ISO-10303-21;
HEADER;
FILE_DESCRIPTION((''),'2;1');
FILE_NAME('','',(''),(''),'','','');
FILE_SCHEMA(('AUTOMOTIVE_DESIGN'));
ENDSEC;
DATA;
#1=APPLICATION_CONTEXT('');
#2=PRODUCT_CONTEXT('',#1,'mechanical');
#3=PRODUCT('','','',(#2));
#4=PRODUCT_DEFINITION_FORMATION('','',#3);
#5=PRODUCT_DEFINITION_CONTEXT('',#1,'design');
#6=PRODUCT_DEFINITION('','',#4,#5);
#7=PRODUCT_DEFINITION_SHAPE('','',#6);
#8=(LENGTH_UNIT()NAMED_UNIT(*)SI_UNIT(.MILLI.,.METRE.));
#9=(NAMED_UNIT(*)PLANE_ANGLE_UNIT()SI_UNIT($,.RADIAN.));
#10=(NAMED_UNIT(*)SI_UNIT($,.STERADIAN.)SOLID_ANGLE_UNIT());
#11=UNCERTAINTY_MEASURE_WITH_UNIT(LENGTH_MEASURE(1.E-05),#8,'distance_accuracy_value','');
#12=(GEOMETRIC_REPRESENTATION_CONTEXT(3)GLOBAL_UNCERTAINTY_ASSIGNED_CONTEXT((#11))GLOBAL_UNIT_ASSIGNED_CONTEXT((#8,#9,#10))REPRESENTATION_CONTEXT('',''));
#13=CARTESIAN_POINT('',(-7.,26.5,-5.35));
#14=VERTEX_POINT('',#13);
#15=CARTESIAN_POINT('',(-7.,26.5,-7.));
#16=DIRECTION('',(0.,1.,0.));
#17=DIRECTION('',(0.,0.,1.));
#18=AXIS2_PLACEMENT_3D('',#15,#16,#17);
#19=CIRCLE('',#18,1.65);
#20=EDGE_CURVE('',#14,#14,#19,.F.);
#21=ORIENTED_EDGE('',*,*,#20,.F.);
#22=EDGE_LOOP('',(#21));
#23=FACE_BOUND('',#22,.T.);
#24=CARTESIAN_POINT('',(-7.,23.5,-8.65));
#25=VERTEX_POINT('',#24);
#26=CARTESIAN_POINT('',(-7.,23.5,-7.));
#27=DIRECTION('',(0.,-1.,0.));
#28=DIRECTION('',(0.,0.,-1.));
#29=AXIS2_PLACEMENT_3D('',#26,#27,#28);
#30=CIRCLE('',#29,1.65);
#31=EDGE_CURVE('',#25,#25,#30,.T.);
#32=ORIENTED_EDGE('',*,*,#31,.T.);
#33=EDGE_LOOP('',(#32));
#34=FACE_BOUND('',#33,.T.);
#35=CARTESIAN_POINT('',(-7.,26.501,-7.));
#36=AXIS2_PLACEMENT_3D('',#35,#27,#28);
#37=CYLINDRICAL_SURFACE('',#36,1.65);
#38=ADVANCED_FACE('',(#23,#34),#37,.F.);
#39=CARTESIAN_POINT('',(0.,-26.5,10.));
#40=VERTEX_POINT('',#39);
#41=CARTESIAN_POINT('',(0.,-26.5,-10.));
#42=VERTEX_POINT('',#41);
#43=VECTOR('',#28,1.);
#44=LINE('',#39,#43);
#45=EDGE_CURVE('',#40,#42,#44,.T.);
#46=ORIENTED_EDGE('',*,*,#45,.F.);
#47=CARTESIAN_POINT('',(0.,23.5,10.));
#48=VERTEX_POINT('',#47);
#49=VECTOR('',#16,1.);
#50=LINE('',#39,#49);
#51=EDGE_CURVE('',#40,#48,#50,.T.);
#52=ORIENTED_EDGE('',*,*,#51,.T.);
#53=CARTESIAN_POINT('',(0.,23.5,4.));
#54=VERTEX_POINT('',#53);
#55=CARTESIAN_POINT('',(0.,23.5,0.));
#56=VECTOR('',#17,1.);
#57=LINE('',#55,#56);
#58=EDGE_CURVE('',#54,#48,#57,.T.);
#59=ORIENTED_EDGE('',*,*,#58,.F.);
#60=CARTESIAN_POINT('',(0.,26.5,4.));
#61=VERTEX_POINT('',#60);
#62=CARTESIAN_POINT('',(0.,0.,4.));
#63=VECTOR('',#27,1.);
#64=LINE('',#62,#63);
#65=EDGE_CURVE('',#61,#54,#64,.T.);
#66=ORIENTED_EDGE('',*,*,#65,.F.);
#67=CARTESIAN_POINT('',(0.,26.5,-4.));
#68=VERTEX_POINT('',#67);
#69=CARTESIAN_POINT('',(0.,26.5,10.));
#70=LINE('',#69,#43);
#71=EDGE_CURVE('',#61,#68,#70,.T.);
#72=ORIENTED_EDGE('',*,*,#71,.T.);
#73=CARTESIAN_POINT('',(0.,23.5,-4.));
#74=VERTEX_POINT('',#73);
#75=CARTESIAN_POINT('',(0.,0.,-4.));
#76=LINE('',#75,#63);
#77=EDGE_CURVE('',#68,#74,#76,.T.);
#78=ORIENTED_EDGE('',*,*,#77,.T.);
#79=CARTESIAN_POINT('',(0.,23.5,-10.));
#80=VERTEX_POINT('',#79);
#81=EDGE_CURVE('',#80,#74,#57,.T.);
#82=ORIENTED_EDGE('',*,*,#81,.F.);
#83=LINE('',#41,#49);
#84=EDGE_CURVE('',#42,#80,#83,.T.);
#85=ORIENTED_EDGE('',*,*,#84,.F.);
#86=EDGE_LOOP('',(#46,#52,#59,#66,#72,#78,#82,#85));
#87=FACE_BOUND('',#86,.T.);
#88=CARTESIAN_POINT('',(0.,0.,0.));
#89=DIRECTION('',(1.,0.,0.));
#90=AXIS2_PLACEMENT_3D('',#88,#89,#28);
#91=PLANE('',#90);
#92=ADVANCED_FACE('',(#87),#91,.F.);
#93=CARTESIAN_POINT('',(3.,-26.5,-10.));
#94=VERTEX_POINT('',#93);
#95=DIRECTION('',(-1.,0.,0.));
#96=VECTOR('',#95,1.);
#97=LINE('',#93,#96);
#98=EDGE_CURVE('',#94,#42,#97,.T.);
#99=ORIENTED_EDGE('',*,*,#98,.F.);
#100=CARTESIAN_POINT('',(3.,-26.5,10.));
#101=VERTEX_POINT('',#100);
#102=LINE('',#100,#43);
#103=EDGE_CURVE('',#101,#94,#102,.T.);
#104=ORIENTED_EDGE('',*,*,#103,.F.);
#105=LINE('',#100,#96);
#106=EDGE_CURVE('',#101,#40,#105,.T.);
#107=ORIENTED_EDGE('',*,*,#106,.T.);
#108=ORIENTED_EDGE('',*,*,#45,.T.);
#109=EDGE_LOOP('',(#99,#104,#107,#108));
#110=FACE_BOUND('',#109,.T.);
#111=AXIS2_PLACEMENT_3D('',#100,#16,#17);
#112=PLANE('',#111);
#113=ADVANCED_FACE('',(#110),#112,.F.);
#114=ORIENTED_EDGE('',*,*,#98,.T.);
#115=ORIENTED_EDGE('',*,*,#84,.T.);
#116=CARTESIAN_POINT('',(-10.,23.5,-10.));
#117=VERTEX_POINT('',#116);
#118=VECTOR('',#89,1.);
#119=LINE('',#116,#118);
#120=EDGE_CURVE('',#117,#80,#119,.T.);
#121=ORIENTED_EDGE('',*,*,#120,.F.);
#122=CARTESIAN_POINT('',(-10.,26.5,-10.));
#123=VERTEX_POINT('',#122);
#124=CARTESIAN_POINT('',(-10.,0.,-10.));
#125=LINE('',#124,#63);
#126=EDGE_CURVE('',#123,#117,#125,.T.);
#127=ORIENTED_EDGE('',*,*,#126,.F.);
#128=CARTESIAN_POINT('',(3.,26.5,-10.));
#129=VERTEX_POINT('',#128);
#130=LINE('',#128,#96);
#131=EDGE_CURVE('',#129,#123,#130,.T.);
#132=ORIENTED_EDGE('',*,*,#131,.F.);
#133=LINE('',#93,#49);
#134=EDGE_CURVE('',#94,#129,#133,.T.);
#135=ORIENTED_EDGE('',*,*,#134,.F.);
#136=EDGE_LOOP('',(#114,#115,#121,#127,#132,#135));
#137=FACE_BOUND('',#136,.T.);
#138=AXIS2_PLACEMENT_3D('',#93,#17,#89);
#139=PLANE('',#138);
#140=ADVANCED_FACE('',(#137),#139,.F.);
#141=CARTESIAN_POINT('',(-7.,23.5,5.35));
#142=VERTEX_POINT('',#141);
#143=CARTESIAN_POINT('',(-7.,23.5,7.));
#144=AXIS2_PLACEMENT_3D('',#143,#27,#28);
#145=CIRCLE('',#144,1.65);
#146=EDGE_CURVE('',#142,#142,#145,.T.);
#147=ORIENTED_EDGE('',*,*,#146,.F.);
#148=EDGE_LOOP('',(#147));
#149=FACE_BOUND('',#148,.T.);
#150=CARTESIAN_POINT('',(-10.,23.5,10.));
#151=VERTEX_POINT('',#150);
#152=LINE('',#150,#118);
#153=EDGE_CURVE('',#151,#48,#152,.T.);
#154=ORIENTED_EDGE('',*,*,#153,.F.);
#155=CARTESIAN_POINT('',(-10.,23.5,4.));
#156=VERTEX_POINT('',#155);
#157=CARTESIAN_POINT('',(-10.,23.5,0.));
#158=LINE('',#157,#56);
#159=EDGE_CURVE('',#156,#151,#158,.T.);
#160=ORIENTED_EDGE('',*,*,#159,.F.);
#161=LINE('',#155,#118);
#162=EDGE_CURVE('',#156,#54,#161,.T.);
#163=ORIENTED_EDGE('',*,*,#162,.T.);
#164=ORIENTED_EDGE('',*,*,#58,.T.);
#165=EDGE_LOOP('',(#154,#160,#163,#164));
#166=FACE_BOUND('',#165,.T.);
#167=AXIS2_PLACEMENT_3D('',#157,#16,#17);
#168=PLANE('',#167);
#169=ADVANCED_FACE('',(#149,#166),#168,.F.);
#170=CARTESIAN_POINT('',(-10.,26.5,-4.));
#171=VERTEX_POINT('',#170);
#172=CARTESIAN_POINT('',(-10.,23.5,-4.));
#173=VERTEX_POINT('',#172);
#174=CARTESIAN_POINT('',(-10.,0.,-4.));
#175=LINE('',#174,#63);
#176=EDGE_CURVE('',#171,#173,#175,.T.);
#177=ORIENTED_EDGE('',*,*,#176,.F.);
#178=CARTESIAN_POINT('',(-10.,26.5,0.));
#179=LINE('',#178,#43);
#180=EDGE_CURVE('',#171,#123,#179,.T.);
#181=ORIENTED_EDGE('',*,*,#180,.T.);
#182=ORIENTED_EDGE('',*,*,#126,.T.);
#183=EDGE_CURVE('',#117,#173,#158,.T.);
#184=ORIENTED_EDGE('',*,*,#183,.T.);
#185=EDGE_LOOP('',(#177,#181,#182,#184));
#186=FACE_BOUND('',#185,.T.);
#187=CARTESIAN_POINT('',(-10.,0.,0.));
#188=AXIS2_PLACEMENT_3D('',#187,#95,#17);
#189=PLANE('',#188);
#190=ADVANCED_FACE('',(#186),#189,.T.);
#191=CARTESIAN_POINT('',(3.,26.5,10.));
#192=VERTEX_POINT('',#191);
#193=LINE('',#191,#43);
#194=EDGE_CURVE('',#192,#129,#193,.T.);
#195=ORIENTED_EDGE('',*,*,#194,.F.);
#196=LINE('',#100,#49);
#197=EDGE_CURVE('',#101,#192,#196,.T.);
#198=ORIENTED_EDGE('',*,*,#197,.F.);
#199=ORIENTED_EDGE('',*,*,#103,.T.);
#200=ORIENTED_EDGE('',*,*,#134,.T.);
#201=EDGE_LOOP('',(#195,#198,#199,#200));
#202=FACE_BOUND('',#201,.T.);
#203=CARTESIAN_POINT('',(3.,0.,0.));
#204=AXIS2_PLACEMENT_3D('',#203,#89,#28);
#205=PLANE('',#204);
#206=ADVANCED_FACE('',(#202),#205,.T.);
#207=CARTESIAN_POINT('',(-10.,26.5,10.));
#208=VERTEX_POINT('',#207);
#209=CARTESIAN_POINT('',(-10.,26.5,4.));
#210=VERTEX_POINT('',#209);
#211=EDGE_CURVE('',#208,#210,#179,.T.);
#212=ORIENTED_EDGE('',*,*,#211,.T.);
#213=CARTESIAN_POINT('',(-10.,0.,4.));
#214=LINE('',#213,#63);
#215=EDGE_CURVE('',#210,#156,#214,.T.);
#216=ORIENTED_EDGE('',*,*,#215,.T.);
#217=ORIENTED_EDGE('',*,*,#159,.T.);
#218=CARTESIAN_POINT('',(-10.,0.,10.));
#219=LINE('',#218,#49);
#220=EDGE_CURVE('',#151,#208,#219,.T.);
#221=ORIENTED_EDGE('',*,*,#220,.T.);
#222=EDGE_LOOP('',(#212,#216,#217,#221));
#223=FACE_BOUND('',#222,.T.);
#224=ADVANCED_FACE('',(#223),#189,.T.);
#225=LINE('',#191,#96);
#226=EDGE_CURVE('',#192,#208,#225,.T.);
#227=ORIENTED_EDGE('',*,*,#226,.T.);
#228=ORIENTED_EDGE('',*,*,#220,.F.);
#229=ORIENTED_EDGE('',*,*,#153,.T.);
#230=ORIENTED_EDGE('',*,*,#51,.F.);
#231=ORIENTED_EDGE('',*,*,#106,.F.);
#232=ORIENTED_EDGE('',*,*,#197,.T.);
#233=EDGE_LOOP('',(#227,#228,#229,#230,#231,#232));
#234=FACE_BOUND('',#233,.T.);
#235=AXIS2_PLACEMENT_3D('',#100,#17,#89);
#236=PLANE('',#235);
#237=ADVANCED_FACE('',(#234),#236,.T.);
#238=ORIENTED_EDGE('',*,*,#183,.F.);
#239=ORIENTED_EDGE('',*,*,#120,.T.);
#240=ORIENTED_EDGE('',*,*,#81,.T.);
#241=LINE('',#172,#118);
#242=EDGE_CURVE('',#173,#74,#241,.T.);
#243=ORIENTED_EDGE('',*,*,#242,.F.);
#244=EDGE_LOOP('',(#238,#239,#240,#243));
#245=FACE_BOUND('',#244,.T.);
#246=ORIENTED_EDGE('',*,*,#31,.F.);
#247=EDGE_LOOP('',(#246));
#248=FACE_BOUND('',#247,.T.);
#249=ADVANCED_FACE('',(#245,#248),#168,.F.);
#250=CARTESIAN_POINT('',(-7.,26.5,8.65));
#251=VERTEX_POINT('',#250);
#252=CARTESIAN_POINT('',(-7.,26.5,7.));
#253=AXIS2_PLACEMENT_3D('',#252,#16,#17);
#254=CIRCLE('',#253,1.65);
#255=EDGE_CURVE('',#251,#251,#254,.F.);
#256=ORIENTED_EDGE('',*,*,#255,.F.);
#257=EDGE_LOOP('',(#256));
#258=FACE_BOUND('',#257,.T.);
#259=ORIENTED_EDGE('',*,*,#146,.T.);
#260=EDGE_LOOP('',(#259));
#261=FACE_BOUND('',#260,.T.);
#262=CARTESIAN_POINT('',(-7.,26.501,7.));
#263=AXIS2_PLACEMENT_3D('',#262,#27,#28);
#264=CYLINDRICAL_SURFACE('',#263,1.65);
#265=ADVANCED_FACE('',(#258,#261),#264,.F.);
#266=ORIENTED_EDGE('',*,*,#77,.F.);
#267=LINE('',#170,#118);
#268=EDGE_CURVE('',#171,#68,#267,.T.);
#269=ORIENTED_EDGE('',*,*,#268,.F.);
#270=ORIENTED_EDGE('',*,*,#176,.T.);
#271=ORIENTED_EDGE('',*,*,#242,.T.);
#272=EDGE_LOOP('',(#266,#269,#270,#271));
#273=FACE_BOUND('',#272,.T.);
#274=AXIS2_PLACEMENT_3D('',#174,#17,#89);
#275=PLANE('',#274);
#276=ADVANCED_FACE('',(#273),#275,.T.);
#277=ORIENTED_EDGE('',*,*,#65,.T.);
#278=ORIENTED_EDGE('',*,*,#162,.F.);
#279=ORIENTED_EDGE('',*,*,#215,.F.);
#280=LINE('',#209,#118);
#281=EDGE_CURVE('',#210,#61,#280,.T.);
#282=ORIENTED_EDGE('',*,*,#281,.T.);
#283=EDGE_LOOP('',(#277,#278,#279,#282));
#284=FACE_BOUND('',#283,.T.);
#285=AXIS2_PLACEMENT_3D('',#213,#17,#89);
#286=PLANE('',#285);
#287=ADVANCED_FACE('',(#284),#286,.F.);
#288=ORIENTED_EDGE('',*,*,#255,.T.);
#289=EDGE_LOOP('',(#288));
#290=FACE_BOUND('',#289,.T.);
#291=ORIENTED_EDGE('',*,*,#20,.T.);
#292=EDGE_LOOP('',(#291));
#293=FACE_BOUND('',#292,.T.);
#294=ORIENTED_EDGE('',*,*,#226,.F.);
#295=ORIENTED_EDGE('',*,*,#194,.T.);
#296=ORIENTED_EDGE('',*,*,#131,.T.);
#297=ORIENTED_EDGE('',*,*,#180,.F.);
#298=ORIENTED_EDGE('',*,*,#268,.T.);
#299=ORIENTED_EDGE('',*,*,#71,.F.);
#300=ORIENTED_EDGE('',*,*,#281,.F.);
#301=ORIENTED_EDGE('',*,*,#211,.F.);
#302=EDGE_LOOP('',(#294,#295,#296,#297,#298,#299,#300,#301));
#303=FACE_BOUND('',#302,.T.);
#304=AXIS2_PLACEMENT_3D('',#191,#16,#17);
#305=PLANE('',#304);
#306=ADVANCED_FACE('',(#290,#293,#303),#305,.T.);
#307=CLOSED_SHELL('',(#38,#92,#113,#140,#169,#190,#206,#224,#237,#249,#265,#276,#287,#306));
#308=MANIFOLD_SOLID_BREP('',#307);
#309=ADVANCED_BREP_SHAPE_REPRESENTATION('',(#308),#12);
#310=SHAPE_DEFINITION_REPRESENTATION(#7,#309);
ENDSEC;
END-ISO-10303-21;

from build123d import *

# Parameters (mm, degrees)
SKETCH1_W           = 20
SKETCH1_H           = 53
BOSS_EXTRUDE1_DEPTH = 3
SKETCH2_W           = 6
SKETCH2_H           = 3
BOSS_EXTRUDE2_DEPTH = 10
CUT_EXTRUDE1_REACH  = 53.962
SKETCH4_R           = 1.65


with BuildPart() as part:
    # Sketch1 → Boss-Extrude1 (new body)
    with BuildSketch(Plane(origin=(0, 0, 0), x_dir=(0, 0, -1), z_dir=(1, 0, 0))):
        Rectangle(SKETCH1_W, SKETCH1_H)
    extrude(amount=BOSS_EXTRUDE1_DEPTH)

    # Sketch2 → Boss-Extrude2 (add)
    with BuildSketch(Plane.ZY):
        with Locations((-7, 25)):
            Rectangle(SKETCH2_W, SKETCH2_H)
        with Locations((7, 25)):
            Rectangle(SKETCH2_W, SKETCH2_H)
    extrude(amount=BOSS_EXTRUDE2_DEPTH)

    # Sketch4 → Cut-Extrude1 (cut, up to next)
    with BuildSketch(Plane.XZ.offset(-23.5), mode=Mode.PRIVATE) as cut_extrude1_sk1:
        with Locations(Location((-7, 7, 0), (0, 0, 270))):
            Circle(SKETCH4_R)
    cut_extrude1_tool1 = extrude(cut_extrude1_sk1.sketch, amount=-CUT_EXTRUDE1_REACH, mode=Mode.PRIVATE) & part.part
    # Sketch4 → Cut-Extrude1 (cut, up to next)
    with BuildSketch(Plane.XZ.offset(-23.5), mode=Mode.PRIVATE) as cut_extrude1_sk2:
        with Locations(Location((-7, -7, 0), (0, 0, 270))):
            Circle(SKETCH4_R)
    cut_extrude1_tool2 = extrude(cut_extrude1_sk2.sketch, amount=-CUT_EXTRUDE1_REACH, mode=Mode.PRIVATE) & part.part
    add(cut_extrude1_tool1.solids().sort_by_distance((-7, 23.5, 7))[0], mode=Mode.SUBTRACT)
    add(cut_extrude1_tool2.solids().sort_by_distance((-7, 23.5, -7))[0], mode=Mode.SUBTRACT)


solid = part.part
